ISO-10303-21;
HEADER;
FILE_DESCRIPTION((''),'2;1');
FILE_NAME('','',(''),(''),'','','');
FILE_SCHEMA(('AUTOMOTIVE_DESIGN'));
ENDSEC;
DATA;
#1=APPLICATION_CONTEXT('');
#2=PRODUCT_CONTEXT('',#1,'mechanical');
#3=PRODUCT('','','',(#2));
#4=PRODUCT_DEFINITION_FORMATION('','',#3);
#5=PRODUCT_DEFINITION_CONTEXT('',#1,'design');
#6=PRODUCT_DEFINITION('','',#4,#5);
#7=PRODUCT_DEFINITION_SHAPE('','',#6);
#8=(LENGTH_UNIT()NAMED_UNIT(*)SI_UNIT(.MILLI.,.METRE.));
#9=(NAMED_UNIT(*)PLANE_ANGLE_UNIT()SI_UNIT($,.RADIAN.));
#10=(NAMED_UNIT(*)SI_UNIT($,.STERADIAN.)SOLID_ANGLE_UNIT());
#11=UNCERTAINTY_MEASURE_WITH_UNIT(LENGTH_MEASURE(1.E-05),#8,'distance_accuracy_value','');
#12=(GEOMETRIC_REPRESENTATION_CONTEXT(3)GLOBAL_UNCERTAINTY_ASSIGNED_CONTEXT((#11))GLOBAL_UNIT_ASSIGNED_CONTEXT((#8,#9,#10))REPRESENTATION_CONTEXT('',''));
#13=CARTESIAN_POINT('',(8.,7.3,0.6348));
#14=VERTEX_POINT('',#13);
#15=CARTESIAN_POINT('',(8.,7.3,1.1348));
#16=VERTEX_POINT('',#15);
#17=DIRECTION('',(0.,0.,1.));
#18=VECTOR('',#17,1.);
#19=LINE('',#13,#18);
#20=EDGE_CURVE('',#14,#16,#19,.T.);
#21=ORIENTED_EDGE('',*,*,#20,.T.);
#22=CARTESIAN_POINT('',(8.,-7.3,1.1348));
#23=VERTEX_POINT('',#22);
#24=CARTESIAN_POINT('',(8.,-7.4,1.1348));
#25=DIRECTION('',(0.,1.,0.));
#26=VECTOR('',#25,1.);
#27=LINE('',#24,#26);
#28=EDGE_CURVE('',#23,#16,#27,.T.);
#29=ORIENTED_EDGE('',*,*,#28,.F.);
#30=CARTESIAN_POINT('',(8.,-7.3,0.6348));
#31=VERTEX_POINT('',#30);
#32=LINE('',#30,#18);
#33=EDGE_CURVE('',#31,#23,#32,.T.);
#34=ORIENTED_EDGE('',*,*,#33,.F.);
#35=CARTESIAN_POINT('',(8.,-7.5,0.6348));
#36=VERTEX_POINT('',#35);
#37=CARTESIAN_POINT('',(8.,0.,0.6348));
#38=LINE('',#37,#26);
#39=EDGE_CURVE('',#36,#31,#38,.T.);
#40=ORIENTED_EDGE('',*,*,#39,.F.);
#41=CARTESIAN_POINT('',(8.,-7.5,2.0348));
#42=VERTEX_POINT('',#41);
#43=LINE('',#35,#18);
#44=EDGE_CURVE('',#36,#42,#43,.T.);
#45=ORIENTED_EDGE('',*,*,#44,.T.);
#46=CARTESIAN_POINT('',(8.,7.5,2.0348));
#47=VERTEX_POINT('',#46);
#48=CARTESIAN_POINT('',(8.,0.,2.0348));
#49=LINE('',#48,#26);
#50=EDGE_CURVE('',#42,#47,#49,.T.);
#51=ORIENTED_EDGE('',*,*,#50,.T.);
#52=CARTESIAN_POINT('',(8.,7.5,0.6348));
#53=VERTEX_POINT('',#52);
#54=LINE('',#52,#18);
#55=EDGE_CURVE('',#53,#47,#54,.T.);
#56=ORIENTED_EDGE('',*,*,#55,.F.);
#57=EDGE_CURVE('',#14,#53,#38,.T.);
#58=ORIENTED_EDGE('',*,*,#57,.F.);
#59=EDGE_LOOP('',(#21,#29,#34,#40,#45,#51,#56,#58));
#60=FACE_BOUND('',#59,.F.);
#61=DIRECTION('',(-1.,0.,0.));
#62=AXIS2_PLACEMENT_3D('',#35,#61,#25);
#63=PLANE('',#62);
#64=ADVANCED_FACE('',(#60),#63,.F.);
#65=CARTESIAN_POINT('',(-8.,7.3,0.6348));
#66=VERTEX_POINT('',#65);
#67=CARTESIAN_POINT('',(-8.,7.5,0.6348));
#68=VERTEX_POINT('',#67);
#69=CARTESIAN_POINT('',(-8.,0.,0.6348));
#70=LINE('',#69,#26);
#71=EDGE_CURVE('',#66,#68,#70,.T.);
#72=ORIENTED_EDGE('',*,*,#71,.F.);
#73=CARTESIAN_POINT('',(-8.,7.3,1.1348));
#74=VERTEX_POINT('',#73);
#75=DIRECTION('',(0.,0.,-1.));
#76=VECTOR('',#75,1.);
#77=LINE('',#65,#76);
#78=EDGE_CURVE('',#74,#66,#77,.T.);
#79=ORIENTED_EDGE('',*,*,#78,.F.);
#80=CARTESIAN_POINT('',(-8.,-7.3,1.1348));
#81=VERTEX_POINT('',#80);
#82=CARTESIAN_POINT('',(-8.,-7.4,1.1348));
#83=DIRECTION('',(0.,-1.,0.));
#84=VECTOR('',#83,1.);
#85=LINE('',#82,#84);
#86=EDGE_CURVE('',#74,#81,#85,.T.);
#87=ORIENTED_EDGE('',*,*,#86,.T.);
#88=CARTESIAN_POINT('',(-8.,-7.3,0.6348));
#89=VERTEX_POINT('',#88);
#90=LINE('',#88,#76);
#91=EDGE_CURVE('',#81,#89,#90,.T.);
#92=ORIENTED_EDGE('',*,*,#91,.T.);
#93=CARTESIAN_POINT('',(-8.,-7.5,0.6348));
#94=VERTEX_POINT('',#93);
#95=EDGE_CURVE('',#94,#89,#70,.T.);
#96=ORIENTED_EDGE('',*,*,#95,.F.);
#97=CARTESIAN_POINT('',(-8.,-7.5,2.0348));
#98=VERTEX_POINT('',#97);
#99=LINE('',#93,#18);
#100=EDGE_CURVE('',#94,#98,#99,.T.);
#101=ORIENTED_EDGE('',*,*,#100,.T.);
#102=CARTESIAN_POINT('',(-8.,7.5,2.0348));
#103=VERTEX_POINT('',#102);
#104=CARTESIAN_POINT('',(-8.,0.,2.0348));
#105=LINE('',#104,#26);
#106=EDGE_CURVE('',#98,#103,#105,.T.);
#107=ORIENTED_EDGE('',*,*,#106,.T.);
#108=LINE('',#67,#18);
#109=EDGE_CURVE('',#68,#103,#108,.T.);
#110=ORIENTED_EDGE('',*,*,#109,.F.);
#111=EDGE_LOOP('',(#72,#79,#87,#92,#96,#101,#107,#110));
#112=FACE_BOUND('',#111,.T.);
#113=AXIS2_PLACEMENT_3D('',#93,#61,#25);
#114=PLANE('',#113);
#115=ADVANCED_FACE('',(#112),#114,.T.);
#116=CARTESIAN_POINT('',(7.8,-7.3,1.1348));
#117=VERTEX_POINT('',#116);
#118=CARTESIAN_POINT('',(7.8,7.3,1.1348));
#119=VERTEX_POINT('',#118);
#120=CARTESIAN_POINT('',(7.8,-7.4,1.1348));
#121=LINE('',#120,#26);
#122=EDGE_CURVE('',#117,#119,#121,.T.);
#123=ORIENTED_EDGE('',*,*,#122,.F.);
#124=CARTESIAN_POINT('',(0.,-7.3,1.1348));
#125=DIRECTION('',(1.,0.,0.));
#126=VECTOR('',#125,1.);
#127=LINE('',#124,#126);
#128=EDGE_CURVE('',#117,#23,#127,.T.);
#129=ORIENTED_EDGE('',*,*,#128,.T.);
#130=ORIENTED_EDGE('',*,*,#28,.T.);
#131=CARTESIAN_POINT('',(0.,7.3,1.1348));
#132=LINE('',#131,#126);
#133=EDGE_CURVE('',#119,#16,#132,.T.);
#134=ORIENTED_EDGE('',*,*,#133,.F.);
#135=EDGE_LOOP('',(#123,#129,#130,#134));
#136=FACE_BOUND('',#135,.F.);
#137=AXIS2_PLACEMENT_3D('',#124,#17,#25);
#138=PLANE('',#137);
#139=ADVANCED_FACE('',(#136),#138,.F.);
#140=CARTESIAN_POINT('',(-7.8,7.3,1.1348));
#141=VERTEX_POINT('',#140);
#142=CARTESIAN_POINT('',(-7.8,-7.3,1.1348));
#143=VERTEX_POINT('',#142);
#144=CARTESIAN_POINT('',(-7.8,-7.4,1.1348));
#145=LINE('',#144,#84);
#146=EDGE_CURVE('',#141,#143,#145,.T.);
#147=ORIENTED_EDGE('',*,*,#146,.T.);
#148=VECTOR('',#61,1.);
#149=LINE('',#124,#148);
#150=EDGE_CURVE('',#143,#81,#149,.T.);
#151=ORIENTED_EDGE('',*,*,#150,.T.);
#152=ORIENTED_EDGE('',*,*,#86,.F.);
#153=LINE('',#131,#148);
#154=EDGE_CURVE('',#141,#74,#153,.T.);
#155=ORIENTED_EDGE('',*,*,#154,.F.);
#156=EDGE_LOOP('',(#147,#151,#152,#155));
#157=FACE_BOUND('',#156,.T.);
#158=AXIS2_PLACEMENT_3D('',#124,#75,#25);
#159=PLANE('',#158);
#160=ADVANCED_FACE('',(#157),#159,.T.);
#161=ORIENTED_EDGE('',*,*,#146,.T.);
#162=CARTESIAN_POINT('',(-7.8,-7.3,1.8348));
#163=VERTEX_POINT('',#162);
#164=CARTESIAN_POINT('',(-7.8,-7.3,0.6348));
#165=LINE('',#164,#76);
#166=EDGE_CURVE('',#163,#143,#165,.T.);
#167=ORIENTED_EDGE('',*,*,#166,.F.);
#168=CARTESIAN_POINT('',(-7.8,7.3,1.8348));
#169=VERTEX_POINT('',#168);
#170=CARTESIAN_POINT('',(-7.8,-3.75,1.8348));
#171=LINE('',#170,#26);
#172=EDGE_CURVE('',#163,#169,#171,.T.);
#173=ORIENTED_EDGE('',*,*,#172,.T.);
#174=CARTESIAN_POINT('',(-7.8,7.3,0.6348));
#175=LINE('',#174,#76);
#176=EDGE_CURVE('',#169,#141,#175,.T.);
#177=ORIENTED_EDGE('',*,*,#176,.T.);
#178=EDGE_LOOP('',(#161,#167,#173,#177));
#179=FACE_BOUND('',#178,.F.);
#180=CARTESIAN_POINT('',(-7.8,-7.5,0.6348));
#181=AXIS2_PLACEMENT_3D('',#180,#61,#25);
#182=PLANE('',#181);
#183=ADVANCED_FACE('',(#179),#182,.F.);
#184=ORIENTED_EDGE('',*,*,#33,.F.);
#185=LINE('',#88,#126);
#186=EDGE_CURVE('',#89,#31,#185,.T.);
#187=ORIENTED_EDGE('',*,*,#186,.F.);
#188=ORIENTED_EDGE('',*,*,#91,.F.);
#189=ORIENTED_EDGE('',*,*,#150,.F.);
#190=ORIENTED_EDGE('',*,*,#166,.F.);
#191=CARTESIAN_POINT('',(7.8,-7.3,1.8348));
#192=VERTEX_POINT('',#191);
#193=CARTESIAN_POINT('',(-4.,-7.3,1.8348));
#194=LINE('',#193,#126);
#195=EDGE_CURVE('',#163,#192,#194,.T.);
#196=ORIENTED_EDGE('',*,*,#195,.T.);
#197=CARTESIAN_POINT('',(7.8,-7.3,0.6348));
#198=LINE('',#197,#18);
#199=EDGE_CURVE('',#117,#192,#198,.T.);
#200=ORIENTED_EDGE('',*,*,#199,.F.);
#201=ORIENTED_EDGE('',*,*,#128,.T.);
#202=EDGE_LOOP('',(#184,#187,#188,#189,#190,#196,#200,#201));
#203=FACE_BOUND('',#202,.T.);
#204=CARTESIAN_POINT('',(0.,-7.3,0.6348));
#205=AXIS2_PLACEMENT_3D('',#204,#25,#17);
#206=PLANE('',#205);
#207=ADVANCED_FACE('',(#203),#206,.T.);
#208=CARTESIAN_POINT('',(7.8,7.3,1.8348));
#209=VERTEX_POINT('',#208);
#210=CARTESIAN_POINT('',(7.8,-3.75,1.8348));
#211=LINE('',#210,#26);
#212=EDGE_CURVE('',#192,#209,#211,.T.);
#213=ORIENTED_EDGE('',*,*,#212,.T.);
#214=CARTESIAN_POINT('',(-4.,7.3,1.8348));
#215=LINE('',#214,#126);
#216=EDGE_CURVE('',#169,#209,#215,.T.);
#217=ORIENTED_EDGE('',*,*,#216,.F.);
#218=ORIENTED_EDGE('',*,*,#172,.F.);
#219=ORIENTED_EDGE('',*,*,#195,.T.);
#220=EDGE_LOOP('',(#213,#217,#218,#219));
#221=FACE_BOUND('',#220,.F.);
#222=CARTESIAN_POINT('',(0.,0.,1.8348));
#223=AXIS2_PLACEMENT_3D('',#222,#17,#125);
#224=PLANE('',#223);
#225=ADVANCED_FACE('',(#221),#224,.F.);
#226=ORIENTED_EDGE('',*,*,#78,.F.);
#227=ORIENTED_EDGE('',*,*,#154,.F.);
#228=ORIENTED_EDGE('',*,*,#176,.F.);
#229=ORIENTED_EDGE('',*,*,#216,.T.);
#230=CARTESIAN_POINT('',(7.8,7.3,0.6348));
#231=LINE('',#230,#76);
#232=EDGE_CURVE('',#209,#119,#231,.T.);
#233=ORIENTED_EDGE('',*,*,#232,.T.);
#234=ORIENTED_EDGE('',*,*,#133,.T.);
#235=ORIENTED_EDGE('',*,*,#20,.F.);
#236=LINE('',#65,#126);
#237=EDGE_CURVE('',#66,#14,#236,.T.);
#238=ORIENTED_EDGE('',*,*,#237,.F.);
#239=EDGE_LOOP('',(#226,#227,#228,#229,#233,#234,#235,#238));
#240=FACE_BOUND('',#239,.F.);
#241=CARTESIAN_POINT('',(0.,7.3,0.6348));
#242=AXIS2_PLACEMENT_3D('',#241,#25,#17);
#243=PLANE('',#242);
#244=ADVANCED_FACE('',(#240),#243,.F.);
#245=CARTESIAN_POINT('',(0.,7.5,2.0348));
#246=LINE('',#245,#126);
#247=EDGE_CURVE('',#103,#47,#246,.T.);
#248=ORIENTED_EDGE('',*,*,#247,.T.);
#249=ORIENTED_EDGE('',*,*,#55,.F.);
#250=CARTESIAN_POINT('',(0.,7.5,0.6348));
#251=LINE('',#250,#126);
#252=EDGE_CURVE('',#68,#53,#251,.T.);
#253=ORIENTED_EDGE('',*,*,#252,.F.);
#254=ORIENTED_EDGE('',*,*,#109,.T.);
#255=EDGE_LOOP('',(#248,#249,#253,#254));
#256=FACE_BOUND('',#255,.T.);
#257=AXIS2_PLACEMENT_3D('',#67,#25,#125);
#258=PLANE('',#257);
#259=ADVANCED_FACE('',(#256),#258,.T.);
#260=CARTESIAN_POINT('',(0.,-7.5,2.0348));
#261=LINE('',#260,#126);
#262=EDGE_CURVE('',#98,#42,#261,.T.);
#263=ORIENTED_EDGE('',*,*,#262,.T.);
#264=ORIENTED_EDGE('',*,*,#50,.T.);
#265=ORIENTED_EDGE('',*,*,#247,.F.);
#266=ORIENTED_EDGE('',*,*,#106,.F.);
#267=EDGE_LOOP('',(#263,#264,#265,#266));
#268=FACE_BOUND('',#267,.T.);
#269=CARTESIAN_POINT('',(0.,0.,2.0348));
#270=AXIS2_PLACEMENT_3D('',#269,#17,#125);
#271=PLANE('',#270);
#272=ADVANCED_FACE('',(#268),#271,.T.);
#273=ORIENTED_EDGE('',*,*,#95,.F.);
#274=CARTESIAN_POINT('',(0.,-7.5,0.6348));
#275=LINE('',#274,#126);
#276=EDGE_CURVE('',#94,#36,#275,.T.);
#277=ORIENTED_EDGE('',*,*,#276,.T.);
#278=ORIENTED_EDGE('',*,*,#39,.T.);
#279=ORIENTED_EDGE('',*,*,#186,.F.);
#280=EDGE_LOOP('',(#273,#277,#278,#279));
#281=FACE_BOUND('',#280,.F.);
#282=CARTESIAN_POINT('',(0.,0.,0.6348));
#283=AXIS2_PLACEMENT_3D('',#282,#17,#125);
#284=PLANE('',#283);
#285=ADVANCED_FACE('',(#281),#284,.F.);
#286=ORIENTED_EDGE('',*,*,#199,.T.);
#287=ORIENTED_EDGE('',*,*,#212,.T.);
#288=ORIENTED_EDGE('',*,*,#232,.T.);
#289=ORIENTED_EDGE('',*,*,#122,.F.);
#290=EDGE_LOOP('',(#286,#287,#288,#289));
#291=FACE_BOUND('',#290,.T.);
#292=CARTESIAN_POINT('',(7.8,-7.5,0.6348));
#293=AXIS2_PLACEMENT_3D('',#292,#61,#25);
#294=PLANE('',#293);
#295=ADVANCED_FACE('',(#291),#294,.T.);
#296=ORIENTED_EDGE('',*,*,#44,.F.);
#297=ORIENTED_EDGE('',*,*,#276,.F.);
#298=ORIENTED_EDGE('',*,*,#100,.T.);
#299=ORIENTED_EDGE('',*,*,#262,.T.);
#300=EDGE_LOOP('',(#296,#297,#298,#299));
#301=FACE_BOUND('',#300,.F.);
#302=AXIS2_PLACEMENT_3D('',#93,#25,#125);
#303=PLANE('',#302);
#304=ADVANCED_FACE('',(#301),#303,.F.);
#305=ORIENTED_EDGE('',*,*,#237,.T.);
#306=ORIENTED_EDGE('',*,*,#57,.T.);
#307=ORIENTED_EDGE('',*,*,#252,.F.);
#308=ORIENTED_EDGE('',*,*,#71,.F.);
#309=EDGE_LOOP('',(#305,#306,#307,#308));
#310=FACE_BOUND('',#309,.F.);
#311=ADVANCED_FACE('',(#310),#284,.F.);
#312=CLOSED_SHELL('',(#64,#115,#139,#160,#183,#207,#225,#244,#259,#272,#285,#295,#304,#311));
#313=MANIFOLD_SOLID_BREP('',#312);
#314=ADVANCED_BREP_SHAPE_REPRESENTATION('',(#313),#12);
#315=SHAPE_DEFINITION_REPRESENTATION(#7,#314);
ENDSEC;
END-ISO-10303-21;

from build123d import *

# Parameters (mm, degrees)
SKETCH003_W          = 16
SKETCH003_H          = 15
PAD001_DEPTH         = 1.4
THICKNESS_T          = -0.2
SKETCH004_W          = 14.6
SKETCH004_H          = 0.5
POCKET002_DEPTH      = 8.001
POCKET002_DEPTH_BACK = 8.001


with BuildPart() as part:
    # Sketch003 → Pad001 (new body)
    with BuildSketch(Plane.XY):
        Rectangle(SKETCH003_W, SKETCH003_H)
    extrude(amount=PAD001_DEPTH)

    # Thickness
    thickness_openings = [part.faces().sort_by_distance(p)[0] for p in [
        (0, 0, 0),
    ]]
    offset(amount=THICKNESS_T, openings=thickness_openings)

    # Sketch004 → Pocket002 (cut, two sides)
    with BuildSketch(Plane.YZ) as pocket002_sk:
        with Locations((0, 0.25)):
            Rectangle(SKETCH004_W, SKETCH004_H)
    extrude(amount=-POCKET002_DEPTH, mode=Mode.SUBTRACT)
    extrude(pocket002_sk.sketch, amount=POCKET002_DEPTH_BACK, mode=Mode.SUBTRACT)


with BuildPart() as part_1:
    # Body001 placement: moved
    add(part.part.moved(Location((0, 0, 0.6348))))


solid = part_1.part
